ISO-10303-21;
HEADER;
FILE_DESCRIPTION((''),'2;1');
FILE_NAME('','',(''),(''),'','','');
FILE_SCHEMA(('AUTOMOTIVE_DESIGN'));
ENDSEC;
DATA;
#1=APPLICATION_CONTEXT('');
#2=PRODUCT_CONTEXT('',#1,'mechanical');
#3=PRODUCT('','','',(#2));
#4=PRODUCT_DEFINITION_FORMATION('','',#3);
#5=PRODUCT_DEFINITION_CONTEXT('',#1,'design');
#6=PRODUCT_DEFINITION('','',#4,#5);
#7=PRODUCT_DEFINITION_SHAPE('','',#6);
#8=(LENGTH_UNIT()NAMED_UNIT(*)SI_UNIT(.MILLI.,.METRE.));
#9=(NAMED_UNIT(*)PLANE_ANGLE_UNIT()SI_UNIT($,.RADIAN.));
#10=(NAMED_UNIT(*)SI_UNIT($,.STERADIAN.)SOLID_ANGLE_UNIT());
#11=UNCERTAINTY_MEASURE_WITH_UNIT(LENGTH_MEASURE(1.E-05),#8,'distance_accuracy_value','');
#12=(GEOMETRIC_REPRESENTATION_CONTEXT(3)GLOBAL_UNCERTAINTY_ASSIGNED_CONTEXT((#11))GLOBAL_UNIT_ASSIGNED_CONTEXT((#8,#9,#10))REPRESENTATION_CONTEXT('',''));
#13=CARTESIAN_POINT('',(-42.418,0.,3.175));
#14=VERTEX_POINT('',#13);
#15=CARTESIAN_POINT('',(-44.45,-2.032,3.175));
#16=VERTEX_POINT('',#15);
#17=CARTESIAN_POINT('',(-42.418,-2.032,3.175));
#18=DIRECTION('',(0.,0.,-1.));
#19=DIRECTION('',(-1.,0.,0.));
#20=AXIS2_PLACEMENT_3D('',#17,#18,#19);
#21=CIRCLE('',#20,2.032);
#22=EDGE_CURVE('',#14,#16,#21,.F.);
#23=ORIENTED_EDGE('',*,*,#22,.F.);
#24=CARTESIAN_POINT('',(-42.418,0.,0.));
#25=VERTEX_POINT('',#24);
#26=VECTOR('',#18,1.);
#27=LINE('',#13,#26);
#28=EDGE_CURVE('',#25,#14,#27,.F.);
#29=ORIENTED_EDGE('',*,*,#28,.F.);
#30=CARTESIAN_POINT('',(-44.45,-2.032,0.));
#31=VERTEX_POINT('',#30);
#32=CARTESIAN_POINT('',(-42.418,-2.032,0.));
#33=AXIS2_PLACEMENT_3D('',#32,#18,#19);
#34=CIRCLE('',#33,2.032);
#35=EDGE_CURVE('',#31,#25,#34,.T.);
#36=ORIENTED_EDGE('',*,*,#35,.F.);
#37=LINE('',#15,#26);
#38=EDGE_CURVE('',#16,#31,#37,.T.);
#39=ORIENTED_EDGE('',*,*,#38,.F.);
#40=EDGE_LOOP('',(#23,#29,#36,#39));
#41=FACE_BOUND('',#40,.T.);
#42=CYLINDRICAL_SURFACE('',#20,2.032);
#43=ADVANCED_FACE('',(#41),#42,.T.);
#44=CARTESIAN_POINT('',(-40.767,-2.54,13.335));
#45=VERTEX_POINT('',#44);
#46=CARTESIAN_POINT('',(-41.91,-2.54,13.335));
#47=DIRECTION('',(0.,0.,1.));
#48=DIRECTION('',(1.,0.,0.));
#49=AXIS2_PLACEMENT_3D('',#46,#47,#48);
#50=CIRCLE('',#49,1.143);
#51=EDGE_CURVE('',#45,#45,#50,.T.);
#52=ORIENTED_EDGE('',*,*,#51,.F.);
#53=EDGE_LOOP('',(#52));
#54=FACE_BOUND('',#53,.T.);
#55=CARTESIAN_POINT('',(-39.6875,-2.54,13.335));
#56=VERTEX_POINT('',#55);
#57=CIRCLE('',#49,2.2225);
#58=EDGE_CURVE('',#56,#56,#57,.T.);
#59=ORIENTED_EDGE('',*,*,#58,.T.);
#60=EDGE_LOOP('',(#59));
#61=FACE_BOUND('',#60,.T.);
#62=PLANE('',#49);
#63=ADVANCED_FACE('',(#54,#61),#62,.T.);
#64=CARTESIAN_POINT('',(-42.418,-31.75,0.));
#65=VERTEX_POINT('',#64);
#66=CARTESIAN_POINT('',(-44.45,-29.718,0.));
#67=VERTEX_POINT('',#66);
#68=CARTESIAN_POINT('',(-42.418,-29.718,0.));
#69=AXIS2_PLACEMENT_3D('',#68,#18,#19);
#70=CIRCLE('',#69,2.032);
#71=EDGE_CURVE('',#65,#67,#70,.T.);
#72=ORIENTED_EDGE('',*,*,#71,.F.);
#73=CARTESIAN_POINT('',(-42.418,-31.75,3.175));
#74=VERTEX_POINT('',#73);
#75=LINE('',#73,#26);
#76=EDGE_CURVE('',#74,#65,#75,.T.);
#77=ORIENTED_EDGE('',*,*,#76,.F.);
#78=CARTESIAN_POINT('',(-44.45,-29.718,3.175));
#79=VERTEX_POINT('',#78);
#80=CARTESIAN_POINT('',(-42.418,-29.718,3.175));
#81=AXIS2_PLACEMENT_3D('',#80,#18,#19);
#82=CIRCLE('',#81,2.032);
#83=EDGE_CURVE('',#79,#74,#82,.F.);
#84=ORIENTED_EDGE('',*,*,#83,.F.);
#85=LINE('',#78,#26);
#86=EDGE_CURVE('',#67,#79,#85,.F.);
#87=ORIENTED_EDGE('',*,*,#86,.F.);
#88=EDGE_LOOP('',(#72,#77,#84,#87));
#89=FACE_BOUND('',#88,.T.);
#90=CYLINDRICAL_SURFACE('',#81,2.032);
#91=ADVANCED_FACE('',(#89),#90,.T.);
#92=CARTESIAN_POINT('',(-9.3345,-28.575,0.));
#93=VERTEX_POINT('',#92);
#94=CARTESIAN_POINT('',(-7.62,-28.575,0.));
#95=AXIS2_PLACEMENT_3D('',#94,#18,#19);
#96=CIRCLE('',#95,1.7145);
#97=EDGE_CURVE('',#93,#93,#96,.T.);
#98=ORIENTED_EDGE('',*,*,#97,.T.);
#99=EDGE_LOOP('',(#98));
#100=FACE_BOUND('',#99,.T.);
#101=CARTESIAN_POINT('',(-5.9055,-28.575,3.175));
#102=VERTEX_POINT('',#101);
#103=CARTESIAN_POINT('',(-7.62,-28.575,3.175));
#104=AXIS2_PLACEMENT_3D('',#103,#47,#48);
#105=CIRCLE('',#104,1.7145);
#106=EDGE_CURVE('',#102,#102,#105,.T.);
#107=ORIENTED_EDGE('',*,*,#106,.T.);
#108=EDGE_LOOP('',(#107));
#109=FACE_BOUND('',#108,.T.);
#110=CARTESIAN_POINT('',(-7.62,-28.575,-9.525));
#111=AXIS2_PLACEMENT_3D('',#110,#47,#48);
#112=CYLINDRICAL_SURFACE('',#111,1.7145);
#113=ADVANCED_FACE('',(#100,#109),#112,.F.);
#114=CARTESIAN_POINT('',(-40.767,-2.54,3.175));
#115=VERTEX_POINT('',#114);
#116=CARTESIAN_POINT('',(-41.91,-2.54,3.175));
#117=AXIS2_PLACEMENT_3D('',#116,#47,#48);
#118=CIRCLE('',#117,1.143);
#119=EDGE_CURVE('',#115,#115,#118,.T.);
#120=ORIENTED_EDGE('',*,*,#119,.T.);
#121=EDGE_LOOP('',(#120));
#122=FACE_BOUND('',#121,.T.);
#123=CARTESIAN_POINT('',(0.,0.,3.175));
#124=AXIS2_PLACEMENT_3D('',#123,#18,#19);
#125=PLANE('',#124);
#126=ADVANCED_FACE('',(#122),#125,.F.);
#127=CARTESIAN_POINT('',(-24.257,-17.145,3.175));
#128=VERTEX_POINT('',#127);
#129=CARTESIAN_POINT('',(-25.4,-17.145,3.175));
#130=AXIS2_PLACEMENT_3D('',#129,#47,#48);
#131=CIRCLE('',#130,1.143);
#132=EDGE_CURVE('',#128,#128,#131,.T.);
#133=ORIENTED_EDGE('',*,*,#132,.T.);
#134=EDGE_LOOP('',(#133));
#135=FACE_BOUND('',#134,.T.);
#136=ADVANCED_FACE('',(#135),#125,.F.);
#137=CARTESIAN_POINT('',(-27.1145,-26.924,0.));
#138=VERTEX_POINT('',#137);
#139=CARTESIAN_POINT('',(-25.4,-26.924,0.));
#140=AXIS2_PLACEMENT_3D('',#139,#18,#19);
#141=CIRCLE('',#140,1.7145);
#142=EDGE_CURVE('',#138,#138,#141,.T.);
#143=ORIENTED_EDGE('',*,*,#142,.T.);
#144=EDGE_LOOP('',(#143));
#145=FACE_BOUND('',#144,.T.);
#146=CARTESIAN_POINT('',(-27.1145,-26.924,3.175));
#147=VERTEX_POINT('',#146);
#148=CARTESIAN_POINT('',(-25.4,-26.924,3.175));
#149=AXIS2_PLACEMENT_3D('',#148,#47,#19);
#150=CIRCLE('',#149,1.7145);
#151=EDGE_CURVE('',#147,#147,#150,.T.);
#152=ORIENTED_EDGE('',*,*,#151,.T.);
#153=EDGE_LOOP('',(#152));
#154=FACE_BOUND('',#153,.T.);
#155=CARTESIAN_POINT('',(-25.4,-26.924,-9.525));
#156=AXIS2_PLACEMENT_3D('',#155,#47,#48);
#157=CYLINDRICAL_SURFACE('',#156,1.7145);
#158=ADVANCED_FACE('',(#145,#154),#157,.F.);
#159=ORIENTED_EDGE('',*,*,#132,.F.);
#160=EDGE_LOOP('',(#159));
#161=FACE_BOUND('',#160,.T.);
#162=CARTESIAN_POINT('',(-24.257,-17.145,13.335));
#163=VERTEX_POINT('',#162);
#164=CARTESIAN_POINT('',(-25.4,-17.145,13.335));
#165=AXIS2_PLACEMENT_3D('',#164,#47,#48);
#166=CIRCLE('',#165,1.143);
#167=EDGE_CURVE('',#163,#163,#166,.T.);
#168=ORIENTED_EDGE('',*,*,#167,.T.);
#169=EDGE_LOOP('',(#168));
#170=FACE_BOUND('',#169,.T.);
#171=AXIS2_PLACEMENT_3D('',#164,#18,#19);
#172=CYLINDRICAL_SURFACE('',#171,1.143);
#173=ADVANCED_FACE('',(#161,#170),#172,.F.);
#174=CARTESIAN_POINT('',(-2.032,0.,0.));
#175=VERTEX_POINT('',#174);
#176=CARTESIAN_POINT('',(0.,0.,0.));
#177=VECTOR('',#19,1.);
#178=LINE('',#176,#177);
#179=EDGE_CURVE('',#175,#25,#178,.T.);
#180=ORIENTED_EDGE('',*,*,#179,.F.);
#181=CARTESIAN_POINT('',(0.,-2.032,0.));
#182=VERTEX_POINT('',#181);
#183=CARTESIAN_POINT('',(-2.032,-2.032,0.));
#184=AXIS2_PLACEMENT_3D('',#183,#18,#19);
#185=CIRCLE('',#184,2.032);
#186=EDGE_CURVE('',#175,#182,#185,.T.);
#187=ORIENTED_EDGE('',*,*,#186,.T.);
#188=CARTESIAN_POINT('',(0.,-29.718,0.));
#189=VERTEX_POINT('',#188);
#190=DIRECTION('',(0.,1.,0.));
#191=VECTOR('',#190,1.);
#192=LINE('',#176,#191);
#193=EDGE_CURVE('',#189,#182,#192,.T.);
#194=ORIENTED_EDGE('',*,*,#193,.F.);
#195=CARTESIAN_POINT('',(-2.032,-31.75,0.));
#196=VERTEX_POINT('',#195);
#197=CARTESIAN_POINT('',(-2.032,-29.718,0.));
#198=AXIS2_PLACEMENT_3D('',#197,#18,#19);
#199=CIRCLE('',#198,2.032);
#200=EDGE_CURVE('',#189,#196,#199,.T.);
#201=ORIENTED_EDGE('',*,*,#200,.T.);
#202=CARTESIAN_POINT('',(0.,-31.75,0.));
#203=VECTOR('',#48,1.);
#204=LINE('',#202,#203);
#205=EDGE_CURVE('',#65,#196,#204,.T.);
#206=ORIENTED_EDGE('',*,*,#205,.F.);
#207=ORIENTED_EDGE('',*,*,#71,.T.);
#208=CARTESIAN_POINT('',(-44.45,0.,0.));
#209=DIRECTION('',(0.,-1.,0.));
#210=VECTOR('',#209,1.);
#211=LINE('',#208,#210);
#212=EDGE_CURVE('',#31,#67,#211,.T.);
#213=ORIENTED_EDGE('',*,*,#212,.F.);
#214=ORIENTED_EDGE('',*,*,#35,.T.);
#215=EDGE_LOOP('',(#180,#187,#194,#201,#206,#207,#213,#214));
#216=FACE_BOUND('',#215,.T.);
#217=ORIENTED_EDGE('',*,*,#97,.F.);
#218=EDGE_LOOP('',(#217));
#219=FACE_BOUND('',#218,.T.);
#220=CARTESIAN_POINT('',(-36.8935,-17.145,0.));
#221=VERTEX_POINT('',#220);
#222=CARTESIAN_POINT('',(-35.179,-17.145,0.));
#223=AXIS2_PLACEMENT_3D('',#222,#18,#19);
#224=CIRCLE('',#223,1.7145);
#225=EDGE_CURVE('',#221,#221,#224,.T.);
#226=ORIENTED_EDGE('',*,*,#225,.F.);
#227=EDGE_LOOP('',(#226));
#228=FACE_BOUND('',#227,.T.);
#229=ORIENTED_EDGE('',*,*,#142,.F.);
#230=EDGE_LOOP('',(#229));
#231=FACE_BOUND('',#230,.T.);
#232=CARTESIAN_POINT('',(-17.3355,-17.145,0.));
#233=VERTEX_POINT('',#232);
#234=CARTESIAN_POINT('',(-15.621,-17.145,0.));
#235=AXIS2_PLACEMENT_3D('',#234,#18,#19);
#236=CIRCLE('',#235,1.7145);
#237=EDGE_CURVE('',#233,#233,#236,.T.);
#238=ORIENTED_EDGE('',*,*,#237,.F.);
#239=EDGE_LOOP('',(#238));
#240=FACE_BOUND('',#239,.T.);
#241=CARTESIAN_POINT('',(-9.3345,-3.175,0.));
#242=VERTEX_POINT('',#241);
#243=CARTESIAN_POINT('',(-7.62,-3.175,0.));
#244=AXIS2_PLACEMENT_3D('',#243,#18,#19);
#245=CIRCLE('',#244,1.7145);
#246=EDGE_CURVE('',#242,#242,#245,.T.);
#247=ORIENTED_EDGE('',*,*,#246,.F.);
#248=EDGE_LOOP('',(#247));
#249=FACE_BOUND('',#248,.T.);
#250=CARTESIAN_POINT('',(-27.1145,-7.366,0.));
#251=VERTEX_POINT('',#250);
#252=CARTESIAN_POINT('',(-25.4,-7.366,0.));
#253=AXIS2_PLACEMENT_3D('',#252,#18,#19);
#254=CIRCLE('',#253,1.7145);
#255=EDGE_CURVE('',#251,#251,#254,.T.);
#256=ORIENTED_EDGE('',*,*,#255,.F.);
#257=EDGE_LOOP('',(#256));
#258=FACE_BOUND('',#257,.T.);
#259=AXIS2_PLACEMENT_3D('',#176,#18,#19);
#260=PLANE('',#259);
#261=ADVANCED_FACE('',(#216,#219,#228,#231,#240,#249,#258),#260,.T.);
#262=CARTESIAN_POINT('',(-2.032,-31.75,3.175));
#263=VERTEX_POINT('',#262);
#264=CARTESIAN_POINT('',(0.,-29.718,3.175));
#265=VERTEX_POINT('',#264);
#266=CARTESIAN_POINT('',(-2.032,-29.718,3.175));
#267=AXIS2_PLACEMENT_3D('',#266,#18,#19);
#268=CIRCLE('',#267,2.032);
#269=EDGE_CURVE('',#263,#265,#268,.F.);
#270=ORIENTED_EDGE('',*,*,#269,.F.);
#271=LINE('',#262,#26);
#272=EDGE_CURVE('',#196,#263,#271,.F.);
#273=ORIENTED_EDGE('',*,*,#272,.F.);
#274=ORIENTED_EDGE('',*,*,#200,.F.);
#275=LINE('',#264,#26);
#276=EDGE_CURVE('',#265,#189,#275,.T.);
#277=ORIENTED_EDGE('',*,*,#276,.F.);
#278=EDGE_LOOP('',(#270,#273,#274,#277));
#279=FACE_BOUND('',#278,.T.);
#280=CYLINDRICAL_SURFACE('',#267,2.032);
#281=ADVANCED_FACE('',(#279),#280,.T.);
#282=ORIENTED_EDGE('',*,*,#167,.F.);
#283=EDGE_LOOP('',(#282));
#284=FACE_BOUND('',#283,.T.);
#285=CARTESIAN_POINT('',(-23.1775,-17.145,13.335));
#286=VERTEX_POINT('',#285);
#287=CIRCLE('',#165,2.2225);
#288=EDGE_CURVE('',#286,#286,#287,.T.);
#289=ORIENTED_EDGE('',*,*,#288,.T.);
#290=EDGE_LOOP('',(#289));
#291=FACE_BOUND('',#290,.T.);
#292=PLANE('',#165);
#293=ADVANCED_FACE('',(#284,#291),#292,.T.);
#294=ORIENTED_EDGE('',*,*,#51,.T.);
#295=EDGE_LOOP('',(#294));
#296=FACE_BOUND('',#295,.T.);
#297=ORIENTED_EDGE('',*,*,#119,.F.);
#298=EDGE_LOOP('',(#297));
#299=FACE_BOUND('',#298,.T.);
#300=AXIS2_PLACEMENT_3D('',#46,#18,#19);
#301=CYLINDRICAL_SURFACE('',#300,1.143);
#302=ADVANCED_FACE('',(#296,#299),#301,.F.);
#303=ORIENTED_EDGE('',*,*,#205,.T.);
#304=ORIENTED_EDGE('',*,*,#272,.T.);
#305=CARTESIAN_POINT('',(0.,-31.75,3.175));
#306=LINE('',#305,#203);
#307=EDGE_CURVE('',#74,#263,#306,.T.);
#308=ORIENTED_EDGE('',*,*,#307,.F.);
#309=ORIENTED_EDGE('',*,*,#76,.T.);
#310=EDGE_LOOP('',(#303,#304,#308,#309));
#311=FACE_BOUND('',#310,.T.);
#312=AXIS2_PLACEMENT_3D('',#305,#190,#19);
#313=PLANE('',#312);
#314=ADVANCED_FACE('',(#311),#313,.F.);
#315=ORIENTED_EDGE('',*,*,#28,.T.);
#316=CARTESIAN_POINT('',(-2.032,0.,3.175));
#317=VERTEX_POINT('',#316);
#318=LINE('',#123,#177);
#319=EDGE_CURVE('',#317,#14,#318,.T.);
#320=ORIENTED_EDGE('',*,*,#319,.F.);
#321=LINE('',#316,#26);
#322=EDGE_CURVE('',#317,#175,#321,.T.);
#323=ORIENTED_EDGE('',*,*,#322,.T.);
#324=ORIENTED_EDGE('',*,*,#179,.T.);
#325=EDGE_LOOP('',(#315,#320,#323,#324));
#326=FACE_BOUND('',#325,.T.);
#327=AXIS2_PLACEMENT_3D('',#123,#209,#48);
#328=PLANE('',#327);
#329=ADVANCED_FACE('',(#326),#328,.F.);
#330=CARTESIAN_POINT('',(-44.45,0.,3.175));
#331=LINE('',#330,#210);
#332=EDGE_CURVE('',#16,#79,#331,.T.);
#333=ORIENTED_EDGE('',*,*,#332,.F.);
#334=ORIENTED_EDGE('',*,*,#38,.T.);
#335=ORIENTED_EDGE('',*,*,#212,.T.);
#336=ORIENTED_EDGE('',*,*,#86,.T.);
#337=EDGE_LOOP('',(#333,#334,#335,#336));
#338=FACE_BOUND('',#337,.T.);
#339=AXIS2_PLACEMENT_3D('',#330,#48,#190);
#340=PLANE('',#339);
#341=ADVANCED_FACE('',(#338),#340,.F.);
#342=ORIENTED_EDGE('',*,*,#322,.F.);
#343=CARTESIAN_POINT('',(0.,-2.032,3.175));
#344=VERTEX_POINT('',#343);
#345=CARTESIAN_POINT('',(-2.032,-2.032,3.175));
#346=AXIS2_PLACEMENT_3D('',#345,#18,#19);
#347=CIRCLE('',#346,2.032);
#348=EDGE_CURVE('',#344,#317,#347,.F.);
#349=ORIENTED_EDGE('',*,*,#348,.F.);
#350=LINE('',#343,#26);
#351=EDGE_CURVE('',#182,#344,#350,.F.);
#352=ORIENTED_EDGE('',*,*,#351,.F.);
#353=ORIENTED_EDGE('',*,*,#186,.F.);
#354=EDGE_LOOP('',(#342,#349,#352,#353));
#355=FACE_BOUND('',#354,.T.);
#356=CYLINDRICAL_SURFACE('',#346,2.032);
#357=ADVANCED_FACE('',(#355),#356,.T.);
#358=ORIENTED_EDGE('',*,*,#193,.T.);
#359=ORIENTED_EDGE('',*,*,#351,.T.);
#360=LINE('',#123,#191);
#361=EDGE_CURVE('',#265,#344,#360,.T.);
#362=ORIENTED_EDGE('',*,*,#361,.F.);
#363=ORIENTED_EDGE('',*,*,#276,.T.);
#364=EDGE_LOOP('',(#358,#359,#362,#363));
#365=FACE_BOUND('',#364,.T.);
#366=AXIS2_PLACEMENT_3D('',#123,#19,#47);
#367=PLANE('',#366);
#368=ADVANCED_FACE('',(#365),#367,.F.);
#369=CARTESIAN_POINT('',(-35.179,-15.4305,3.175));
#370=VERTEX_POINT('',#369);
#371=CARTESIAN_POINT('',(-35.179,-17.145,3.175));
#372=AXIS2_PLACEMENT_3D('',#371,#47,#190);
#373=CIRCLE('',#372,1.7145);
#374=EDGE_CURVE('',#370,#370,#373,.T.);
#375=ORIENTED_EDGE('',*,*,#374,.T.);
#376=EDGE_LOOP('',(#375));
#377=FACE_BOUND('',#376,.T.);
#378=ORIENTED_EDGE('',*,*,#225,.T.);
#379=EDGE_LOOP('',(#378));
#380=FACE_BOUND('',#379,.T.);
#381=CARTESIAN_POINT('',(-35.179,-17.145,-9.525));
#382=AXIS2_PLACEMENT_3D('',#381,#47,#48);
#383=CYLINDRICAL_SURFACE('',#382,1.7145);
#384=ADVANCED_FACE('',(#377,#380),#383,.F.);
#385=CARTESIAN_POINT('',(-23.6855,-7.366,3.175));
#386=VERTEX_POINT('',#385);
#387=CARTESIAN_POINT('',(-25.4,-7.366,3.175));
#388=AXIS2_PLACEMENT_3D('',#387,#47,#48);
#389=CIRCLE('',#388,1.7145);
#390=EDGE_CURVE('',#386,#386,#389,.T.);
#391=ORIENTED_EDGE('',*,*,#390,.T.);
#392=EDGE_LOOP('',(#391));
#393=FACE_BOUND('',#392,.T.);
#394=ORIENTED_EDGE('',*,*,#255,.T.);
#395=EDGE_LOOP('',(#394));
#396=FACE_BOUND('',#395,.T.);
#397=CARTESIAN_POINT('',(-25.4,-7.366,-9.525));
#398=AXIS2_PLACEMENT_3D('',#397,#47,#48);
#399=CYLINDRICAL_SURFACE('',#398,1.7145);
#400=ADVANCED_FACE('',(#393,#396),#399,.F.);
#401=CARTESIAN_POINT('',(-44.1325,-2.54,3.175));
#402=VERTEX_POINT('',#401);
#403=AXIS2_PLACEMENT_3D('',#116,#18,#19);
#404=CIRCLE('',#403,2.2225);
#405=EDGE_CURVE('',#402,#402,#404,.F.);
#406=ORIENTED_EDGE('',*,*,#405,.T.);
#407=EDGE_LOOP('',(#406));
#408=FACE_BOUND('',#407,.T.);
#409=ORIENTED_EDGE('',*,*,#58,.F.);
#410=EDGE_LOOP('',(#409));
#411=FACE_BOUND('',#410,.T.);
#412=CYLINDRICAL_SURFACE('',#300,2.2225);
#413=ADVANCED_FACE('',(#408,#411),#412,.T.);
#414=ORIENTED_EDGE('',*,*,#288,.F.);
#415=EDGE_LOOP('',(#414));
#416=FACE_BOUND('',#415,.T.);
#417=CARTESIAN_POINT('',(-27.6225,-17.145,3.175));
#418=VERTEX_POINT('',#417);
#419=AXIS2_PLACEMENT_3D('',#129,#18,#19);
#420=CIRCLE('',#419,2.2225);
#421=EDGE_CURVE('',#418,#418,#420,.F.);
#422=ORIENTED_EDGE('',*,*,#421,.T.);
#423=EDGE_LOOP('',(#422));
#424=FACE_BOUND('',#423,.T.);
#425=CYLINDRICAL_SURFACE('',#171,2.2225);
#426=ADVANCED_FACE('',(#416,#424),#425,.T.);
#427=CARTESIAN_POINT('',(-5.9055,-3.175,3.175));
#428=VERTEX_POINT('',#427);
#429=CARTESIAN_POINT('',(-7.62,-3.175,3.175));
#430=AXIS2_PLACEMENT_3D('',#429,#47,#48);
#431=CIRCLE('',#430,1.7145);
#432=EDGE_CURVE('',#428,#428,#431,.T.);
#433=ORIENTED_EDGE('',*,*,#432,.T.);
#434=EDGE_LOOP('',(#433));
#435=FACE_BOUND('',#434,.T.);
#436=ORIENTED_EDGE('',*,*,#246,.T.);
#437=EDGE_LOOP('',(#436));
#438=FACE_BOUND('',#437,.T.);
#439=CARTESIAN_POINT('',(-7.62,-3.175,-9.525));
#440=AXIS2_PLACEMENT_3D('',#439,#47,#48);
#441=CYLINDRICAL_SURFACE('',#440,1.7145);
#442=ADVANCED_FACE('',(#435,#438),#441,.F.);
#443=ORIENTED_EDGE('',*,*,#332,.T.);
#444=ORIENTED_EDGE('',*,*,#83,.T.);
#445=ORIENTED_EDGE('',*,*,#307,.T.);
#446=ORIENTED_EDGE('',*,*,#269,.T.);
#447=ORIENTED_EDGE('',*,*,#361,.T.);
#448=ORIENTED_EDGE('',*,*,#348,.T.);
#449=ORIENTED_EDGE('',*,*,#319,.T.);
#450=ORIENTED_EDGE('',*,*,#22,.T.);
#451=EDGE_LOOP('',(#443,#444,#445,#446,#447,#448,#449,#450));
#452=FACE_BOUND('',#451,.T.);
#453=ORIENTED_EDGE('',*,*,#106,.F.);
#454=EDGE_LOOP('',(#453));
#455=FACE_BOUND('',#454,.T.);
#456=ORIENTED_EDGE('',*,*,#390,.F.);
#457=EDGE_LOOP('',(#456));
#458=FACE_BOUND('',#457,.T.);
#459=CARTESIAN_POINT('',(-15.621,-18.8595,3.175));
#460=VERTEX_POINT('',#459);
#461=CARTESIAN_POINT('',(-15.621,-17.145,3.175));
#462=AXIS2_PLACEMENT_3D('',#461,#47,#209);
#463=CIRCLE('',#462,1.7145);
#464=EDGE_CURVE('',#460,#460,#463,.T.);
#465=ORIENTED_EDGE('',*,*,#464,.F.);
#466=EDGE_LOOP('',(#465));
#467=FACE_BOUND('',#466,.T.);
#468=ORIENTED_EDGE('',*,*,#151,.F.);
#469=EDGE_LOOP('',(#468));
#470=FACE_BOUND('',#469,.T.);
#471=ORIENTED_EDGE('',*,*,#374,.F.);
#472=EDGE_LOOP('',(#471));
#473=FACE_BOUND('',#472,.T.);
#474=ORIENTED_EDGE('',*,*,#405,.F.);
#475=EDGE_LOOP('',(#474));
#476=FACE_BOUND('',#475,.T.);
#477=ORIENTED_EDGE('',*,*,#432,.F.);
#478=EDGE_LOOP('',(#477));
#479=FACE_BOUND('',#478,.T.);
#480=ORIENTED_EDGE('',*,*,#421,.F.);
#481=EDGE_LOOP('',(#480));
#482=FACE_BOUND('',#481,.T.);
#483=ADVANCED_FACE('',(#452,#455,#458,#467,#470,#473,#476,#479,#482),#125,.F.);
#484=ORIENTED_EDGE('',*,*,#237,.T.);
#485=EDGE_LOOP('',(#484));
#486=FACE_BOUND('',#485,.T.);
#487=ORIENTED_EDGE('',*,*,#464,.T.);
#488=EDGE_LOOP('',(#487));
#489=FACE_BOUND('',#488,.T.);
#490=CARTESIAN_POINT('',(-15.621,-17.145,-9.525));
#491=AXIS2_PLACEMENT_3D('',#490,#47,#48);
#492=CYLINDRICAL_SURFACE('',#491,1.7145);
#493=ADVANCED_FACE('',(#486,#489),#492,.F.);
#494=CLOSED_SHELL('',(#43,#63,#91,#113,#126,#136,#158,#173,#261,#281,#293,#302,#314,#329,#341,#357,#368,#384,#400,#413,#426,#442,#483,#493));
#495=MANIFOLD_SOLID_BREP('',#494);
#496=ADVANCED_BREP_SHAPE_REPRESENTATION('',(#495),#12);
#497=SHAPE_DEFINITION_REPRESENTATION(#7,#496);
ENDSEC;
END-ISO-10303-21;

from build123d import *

# Parameters (mm, degrees)
SKETCH1_W           = 44.45
SKETCH1_H           = 31.75
BOSS_EXTRUDE1_DEPTH = 3.175
SKETCH2_R           = 2.2225
SKETCH2_R_2         = 1.143
BOSS_EXTRUDE2_DEPTH = 10.16
SKETCH3_R           = 1.7145
CUT_EXTRUDE1_DEPTH  = 12.7
SKETCH4_R           = 1.7145
CUT_EXTRUDE2_DEPTH  = 12.7
CIRPATTERN1_COUNT   = 4
FILLET1_R           = 2.032


with BuildPart() as part:
    # Sketch1 → Boss-Extrude1 (new body)
    with BuildSketch(Plane.XY):
        with Locations((-22.225, -15.875)):
            Rectangle(SKETCH1_W, SKETCH1_H)
    extrude(amount=BOSS_EXTRUDE1_DEPTH)

    # Sketch2 → Boss-Extrude2 (add)
    with BuildSketch(Plane.XY.offset(3.175)):
        with Locations((-41.91, -2.54)):
            Circle(SKETCH2_R)
        with Locations((-41.91, -2.54)):
            Circle(SKETCH2_R_2, mode=Mode.SUBTRACT)
        with Locations((-25.4, -17.145)):
            Circle(SKETCH2_R)
        with Locations((-25.4, -17.145)):
            Circle(SKETCH2_R_2, mode=Mode.SUBTRACT)
    extrude(amount=BOSS_EXTRUDE2_DEPTH)

    # Sketch3 → Cut-Extrude1 (cut)
    with BuildSketch(Plane.XY.offset(3.175)):
        with Locations((-7.62, -3.175)):
            Circle(SKETCH3_R)
        with Locations((-7.62, -28.575)):
            Circle(SKETCH3_R)
    extrude(amount=-CUT_EXTRUDE1_DEPTH, mode=Mode.SUBTRACT)

    # Sketch4 → Cut-Extrude2 (cut)
    with BuildSketch(Plane.XY.offset(3.175)):
        with Locations((-25.4, -7.366)):
            Circle(SKETCH4_R)
    cut_extrude2 = extrude(amount=-CUT_EXTRUDE2_DEPTH, mode=Mode.SUBTRACT)

    # CirPattern1: Cut-Extrude2 ×4 about axis
    cirpattern1_axis = Axis((-25.4, -17.145, 0), (0, 0, 1))
    for i in range(1, CIRPATTERN1_COUNT):
        add(cut_extrude2.rotate(cirpattern1_axis, i * 360 / CIRPATTERN1_COUNT), mode=Mode.SUBTRACT)

    # Fillet1
    fillet1_edges = [part.edges().sort_by_distance(p)[0] for p in [
        (0, -31.75, 1.5875),
        (-44.45, -31.75, 1.5875),
        (-44.45, 0, 1.5875),
        (0, 0, 1.5875),
    ]]
    fillet(fillet1_edges, radius=FILLET1_R)


solid = part.part
